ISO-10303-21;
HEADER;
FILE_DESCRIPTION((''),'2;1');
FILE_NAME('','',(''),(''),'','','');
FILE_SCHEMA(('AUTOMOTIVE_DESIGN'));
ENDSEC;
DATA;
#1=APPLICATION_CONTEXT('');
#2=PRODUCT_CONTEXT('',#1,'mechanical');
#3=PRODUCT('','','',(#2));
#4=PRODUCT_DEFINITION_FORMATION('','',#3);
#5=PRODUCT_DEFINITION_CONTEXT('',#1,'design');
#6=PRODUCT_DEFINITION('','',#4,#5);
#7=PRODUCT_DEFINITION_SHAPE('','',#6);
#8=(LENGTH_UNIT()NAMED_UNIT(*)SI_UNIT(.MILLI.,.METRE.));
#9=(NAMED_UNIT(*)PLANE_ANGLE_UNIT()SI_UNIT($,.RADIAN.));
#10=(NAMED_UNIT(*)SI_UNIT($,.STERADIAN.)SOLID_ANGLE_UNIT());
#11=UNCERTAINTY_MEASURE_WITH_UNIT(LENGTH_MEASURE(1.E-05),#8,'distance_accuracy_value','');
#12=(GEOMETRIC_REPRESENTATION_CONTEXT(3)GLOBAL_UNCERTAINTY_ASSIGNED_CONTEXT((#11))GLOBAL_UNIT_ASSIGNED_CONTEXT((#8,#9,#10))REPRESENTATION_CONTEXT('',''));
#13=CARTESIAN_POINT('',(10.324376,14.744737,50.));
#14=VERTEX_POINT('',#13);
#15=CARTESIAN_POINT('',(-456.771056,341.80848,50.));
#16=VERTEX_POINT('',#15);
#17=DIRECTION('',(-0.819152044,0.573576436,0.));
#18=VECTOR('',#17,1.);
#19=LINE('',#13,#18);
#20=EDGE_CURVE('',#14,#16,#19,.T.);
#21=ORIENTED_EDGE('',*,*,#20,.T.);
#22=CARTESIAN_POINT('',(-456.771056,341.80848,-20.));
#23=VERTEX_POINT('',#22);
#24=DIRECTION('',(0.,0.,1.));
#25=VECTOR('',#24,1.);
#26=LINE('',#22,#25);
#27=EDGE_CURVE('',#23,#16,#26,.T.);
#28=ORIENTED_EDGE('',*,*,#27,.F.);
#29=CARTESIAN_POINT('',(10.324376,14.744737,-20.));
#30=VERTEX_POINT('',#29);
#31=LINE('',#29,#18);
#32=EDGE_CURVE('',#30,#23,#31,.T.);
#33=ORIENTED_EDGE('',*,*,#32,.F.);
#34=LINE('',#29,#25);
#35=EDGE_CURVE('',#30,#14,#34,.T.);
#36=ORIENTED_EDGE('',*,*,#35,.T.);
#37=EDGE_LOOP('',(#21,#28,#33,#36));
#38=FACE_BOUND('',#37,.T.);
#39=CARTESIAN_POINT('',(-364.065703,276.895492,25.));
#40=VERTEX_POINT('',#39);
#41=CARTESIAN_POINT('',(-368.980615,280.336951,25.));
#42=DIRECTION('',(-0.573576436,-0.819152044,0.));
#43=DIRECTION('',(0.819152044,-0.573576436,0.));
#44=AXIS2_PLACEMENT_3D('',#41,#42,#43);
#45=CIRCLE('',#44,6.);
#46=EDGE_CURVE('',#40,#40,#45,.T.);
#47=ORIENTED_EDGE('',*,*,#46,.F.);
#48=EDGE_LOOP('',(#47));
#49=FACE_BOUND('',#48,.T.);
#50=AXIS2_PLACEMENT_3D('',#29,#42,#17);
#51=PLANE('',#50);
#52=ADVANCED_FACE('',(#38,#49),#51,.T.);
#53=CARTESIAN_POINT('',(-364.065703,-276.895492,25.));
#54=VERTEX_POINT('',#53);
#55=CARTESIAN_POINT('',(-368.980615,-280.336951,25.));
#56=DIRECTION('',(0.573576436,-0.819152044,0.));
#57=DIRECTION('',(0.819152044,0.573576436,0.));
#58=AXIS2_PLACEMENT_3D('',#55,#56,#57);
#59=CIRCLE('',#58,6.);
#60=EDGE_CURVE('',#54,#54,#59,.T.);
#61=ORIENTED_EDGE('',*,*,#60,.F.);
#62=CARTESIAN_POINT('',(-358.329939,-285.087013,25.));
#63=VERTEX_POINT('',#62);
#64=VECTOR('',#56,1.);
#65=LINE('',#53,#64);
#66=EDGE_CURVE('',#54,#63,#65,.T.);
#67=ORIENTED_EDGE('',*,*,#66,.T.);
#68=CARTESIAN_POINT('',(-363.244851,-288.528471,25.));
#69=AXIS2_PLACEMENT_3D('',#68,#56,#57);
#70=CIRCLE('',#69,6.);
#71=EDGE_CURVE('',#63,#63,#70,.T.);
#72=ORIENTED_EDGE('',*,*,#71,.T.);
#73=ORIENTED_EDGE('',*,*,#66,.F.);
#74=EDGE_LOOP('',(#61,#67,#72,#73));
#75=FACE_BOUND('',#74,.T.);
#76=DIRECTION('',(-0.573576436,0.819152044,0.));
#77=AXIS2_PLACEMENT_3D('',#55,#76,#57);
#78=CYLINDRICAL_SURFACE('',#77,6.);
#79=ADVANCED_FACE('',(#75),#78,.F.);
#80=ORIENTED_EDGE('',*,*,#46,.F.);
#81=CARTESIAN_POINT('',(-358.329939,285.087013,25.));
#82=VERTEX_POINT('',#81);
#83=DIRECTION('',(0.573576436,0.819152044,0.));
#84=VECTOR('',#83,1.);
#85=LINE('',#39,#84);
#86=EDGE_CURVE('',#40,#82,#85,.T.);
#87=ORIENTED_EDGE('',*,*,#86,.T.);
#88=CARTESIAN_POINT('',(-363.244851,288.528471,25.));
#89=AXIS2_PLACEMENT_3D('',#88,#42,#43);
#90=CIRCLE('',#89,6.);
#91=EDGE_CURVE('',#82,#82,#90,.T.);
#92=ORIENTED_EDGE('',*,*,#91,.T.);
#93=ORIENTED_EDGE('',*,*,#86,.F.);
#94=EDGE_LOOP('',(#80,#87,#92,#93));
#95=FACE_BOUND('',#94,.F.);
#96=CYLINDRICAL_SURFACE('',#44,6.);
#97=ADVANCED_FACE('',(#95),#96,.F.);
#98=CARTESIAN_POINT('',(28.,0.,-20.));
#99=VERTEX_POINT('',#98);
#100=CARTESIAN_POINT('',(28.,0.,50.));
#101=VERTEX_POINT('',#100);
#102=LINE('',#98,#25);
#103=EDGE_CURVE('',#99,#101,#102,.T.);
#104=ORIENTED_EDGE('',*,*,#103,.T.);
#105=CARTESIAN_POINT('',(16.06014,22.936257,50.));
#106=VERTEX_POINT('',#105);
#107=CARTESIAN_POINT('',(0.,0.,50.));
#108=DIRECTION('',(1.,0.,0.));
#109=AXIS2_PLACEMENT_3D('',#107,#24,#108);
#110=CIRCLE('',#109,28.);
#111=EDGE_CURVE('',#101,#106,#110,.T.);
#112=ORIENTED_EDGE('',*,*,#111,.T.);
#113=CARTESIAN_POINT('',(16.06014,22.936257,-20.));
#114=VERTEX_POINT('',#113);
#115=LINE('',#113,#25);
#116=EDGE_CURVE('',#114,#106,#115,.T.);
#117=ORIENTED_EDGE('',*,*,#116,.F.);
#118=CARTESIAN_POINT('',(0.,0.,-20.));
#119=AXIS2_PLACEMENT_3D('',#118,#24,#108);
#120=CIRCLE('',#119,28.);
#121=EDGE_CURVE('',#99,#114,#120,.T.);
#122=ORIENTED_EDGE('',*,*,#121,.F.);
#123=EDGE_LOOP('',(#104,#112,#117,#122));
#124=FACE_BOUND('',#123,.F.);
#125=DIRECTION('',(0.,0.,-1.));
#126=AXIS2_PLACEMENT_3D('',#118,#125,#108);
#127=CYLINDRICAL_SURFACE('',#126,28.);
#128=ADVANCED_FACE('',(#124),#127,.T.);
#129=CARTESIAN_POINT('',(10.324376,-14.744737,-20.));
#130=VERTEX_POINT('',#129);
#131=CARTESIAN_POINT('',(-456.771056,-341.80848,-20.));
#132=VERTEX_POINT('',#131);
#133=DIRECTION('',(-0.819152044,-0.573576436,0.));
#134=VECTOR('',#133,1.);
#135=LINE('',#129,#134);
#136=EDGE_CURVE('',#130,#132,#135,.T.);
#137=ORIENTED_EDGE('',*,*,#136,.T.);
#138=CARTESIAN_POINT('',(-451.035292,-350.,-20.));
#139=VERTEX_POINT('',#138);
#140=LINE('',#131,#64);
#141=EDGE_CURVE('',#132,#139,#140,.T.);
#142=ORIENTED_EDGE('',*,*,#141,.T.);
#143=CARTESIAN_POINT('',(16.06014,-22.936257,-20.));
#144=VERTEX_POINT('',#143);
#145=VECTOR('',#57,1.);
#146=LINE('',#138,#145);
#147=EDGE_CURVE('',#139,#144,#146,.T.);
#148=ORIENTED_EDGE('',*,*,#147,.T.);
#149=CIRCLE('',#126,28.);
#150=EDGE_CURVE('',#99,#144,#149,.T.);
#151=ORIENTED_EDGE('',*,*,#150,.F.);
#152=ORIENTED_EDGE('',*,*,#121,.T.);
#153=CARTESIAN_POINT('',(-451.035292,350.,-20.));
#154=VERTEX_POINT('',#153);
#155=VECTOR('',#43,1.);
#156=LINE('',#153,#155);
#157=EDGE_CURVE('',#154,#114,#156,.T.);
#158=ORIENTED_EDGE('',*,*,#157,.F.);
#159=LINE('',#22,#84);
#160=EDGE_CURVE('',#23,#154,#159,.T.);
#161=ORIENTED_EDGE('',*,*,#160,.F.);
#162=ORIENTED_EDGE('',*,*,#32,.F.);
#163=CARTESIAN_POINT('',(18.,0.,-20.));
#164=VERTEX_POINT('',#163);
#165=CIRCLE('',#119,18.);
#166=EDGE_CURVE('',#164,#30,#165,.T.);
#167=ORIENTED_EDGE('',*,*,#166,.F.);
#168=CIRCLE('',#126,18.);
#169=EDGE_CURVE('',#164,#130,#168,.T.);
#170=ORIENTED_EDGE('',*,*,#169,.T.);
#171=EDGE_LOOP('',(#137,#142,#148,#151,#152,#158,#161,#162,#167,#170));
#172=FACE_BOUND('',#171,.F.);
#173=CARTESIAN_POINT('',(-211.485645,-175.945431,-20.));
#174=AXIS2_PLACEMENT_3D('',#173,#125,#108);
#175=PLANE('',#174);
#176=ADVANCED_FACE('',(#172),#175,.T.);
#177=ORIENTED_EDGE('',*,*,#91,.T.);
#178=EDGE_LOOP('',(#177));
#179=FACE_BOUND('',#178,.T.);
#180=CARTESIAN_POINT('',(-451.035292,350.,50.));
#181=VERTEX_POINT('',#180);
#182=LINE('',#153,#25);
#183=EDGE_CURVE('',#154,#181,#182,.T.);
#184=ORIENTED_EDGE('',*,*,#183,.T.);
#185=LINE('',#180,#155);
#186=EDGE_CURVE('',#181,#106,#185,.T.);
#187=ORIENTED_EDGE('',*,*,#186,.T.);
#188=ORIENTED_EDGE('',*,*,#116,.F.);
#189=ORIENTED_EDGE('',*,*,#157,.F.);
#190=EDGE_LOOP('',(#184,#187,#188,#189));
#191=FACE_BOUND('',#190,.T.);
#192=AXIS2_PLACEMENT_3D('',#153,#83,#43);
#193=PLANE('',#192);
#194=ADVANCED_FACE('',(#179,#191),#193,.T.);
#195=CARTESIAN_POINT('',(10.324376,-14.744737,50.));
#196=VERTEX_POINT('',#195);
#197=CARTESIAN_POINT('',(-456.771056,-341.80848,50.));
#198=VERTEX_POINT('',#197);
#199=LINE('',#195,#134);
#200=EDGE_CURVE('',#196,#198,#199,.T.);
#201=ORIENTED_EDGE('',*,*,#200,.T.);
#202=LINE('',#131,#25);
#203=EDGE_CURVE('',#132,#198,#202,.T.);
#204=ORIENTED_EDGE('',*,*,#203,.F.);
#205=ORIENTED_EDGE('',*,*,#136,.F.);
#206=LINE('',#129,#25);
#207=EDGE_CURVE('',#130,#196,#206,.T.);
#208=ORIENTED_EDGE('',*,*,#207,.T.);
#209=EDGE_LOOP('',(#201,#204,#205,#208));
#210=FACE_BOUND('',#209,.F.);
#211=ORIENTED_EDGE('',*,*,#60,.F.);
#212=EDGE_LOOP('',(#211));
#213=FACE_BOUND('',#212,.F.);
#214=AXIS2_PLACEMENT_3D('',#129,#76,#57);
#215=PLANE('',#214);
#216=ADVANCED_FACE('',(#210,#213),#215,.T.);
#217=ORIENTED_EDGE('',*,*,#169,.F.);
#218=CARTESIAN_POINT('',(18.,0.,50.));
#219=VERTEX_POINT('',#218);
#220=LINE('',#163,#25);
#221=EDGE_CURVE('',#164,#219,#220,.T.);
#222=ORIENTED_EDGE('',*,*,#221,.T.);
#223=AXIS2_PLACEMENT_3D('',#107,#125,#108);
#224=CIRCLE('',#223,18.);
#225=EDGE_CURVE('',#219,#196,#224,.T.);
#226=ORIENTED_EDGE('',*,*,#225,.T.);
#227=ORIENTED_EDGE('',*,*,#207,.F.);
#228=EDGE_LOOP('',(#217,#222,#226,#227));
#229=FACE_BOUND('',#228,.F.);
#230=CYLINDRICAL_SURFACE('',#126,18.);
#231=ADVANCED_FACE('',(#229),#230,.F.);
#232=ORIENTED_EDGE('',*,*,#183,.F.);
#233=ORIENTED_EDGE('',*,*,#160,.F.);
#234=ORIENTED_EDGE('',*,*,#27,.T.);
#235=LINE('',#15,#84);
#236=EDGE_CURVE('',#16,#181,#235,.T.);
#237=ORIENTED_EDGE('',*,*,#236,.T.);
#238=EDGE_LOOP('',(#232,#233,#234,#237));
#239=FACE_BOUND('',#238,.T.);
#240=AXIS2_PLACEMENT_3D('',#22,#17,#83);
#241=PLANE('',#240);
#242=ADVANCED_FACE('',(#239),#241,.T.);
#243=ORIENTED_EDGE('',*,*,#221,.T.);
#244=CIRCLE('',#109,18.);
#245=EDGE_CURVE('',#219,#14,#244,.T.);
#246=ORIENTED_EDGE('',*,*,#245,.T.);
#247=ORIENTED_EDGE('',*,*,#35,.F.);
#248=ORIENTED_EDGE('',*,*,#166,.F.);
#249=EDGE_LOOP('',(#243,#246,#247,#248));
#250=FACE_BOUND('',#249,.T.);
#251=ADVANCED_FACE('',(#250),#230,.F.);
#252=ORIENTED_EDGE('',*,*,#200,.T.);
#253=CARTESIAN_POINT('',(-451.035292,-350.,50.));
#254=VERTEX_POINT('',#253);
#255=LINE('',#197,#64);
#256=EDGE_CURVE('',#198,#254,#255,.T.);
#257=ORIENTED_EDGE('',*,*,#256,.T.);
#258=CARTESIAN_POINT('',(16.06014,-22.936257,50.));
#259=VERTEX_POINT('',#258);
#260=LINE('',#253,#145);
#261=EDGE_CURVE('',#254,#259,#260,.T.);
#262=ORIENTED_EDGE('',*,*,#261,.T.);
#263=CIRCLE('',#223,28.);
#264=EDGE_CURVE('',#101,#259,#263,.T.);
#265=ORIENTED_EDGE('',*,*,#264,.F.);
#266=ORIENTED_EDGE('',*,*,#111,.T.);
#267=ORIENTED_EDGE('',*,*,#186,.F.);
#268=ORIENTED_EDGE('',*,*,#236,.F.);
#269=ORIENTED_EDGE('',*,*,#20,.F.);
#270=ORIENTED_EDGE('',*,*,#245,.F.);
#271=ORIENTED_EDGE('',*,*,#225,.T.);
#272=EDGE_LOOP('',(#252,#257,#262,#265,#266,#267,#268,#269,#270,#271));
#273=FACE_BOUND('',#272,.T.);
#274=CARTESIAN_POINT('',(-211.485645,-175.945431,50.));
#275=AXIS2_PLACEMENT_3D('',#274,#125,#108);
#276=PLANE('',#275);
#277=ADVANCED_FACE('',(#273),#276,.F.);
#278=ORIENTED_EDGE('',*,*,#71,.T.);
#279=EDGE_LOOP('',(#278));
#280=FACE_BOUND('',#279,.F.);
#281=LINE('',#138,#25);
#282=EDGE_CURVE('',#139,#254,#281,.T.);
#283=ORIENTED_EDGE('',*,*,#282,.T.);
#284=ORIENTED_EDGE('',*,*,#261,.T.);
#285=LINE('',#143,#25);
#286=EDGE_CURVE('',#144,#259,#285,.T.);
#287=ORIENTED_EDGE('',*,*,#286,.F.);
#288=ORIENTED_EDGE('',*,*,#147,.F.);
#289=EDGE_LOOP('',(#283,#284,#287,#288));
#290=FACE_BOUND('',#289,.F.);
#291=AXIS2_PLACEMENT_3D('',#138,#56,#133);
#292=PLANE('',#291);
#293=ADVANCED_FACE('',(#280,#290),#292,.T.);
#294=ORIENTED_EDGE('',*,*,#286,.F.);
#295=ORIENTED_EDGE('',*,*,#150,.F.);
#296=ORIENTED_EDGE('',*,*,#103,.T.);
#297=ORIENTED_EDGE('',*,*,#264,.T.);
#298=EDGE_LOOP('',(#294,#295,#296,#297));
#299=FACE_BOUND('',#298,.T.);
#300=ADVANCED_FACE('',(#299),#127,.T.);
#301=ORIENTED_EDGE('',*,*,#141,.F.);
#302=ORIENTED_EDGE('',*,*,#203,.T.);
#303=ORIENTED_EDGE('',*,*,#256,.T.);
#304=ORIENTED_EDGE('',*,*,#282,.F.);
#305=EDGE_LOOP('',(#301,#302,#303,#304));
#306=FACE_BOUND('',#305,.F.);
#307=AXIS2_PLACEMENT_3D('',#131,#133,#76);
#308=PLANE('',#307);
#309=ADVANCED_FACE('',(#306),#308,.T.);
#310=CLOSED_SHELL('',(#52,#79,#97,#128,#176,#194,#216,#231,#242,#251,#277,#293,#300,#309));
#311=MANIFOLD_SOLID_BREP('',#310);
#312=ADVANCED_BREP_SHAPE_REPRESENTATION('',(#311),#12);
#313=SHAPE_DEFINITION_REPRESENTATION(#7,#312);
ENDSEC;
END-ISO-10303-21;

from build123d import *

# Parameters (mm, degrees)
PAD002_DEPTH           = 70
SKETCH006_R            = 6
POCKET002_DEPTH        = 30
SKETCH007_R            = 6
POCKET003_DEPTH        = 284.764355719
LINEARPATTERN001_COUNT = 4
LINEARPATTERN001_PITCH = 173.3333333333


with BuildPart() as part:
    # Sketch004 → Pad002 (new body)
    with BuildSketch(Plane.XY):
        with BuildLine():
            Line((-451.0352920823, 350), (16.0601402178, 22.9362572401))
            ThreePointArc((28, 0), (24.836303329, 12.9289611706), (16.0601402178, 22.9362572401))
            Line((18, 0), (28, 0))
            ThreePointArc((18, 0), (15.9661949972, 8.3114750382), (10.3243758543, 14.7447367972))
            Line((10.3243758543, 14.7447367972), (-456.7710564459, 341.8084795571))
            Line((-456.7710564459, 341.8084795571), (-451.0352920823, 350))
        make_face()
    extrude(amount=PAD002_DEPTH)

    # Sketch006 → Pocket002 (cut)
    with BuildSketch(Plane(origin=(0, 126.75, 0), x_dir=(-1, 0, 0), z_dir=(0, 1, 0))):
        with Locations((26.7405688034, 25.24131)):
            Circle(SKETCH006_R)
    extrude(amount=-POCKET002_DEPTH, mode=Mode.SUBTRACT)

    # Sketch007 (on Face2 of Pocket002) → Pocket003 (cut, through all)
    with BuildSketch(Plane(origin=(10.3243758543, 14.7447367972, 0), x_dir=(0.8191520443, -0.5735764364, 0), z_dir=(-0.5735764364, -0.8191520443, 0))):
        with Locations((-463.0458944975, 45)):
            Circle(SKETCH007_R)
    pocket003 = extrude(amount=-POCKET003_DEPTH, mode=Mode.SUBTRACT)

    # LinearPattern001: Pocket003 ×4
    with Locations(*[Vector(-0.8191520443, 0.5735764364, 0) * (i * LINEARPATTERN001_PITCH) for i in range(1, LINEARPATTERN001_COUNT)]):
        add(pocket003, mode=Mode.SUBTRACT)

    # Mirrored001: part across XZ


with BuildPart() as part_1:
    add(part.part)
    add(part.part.mirror(Plane.XZ))


with BuildPart() as part_2:
    # Body001 placement: moved
    add(part_1.part.moved(Location((0, 0, -20))))


solid = part_2.part
